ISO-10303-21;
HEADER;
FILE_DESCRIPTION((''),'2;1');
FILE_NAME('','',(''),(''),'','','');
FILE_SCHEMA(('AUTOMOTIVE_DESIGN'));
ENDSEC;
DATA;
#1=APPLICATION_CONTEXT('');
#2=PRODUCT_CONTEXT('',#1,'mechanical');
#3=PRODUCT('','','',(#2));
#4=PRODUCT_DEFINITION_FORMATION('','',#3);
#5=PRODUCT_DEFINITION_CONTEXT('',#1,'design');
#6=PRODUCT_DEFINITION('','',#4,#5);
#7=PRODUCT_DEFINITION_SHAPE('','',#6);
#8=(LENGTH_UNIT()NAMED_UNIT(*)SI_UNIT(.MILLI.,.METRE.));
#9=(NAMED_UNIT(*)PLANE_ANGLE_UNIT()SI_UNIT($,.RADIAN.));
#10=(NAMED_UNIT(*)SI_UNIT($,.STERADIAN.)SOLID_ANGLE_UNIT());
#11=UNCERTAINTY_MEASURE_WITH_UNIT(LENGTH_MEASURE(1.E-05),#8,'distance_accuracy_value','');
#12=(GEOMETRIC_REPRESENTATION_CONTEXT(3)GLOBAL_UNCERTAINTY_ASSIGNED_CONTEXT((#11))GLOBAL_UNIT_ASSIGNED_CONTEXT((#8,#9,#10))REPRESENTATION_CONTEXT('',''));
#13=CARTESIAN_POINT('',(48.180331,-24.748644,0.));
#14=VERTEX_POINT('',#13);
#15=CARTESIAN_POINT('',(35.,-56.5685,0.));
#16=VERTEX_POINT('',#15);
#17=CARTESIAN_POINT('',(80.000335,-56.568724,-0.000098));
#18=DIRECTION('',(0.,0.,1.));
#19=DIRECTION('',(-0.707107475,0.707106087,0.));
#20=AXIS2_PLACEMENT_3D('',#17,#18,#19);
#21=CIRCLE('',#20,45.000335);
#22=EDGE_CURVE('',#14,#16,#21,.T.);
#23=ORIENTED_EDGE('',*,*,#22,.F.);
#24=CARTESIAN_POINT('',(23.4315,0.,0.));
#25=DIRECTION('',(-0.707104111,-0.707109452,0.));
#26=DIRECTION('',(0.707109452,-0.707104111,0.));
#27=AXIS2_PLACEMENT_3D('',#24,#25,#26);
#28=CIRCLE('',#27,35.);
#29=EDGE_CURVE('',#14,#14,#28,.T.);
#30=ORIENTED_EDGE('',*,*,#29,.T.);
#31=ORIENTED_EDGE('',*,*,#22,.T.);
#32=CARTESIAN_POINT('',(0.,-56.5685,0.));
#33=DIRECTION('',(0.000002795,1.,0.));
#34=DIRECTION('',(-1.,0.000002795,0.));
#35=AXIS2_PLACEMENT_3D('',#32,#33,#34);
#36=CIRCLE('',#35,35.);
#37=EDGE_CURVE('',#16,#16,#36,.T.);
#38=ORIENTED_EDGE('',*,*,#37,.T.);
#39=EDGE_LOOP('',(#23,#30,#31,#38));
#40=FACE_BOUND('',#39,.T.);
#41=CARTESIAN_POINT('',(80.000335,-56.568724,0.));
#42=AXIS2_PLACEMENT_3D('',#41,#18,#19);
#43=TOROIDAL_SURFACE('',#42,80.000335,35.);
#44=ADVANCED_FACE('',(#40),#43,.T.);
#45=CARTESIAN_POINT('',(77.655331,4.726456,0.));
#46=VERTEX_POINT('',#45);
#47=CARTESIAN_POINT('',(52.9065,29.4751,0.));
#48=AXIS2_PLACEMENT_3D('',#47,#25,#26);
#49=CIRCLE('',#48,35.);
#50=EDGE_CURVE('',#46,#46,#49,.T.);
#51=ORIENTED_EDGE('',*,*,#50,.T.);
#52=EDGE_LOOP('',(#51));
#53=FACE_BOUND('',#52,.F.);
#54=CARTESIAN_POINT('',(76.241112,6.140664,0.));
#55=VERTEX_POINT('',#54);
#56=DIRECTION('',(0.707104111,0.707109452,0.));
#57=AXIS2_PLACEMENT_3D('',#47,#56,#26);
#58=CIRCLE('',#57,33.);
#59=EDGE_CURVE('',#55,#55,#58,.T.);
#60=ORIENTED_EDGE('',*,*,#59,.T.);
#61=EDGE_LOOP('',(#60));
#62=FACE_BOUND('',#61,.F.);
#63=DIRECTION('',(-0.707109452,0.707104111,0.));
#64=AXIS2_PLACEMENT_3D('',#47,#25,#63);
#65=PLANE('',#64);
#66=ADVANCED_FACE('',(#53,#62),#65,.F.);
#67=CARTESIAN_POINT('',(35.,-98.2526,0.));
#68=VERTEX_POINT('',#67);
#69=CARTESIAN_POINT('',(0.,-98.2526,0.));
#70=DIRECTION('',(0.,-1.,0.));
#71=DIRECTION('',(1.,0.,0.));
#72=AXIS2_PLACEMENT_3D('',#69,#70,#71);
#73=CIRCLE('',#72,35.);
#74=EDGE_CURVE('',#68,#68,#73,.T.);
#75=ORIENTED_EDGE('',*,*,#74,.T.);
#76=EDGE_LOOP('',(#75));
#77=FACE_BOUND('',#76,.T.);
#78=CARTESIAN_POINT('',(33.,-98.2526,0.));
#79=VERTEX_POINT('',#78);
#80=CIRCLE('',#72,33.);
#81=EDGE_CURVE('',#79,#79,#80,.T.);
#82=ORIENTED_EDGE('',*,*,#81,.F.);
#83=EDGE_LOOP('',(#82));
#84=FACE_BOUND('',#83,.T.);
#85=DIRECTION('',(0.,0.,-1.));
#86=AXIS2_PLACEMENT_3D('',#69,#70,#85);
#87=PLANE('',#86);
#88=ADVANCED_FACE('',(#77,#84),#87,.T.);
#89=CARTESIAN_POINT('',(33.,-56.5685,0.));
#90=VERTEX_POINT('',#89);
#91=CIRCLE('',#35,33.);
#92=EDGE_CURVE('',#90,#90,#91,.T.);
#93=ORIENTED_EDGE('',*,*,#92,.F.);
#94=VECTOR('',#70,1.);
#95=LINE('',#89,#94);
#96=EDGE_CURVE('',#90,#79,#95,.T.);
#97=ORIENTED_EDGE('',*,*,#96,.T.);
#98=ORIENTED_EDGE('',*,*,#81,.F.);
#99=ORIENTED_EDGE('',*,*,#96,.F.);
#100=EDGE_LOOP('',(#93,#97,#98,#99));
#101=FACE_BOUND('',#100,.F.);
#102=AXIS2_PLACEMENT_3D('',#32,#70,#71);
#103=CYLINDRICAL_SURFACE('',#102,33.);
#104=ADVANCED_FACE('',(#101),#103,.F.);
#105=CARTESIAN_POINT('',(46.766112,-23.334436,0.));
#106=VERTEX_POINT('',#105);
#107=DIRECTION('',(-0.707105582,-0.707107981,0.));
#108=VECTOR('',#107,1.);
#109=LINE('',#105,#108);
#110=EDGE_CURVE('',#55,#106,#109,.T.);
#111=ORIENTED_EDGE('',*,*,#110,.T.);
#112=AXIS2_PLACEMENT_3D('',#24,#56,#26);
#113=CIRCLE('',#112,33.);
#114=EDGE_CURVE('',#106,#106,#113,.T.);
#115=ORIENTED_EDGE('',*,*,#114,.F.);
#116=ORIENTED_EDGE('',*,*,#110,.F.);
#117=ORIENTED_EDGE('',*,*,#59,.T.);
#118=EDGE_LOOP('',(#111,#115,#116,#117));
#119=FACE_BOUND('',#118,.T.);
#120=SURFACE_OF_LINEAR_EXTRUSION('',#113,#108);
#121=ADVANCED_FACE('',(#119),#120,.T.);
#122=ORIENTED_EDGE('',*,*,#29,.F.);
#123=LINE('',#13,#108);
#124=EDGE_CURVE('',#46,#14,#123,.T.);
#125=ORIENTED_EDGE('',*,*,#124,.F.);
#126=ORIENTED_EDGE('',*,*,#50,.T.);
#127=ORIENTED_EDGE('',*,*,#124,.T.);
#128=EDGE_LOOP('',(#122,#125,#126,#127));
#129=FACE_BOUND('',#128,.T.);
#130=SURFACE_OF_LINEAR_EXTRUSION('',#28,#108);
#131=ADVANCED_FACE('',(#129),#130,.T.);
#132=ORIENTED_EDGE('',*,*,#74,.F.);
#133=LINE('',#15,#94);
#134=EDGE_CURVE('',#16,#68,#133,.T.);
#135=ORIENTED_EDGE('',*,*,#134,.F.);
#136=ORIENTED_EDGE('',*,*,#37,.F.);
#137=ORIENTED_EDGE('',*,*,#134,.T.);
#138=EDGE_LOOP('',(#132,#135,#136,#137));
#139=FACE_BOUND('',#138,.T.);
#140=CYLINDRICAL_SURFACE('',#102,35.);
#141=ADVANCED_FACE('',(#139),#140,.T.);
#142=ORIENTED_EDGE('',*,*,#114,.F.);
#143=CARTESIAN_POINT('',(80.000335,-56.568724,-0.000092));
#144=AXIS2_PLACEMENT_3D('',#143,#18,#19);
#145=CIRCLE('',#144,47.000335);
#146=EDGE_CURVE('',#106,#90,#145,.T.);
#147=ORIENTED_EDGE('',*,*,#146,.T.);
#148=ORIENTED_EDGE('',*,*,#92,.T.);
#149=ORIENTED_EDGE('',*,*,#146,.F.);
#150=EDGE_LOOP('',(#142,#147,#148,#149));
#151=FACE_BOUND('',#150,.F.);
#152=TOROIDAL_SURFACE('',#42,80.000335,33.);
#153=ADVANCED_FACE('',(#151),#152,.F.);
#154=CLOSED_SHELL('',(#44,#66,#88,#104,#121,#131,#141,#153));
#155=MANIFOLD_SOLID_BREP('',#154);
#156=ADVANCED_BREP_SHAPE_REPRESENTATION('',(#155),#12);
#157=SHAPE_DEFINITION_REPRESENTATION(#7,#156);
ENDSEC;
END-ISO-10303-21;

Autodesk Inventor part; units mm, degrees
ref_plane "YZ Plane" through (0, 0, 0) normal (1, 0, 0) x (0, 1, 0)
ref_plane "XZ Plane" through (0, 0, 0) normal (0, 1, 0) x (-1, 0, 0)
sketch "Szkic6" plane through (0, 0, 0) normal (0, 0, 1) x (1, 0, 0)
  line L0 (-29.6067, 0) -> (35.2678, 0) construction
  line L1 (0, 42.3419) -> (0, -58.3726) construction
  arc A0 (23.4315, 0) -> (0, -56.5685) centre (80, -56.5685) ccw
  line L2 (0, -56.5685) -> (80, -56.5685) construction
  line L3 (80, -56.5685) -> (33.6611, -10.2296) construction
  line L4 (23.4315, 0) -> (52.9065, 29.4751)
  line L5 (0, -56.5685) -> (0, -98.2526)
  point P0 (0, 0)
  dimension "d24" = 80
  dimension "d31" = 45
  dimension "d36" = 41.6841
  dimension "d37" = 41.6841
ref_plane "Płaszczyzna konstrukcyjna2" through (0, -56.5685, 0) normal (0, -1, 0) x (1, 0, 0)
sketch "Szkic8" plane through (0, -56.5685, 0) normal (0, -1, 0) x (1, 0, 0)
  circle A0 centre (0, 0) radius 35
  circle A1 centre (0, 0) radius 33
  dimension "d32" = 70
  dimension "d33" = 2
sweep "Przeciągnięcie2" add profiles "Szkic8" path "Szkic6"
equation "\"d32\" = OD"
equation "\"d33\" = THK"
equation "\"d24\" = R"
equation "\"d31\" = KAT"
equation "\"d36\" = PROSTKA"
equation "\"d37\" = PROSTKA"
equation "\"SzerokośćGięciaPodcięcia\" = Grubość"
equation "\"RozmiarPodcięciaNarożnika\" = 4 * Grubość"
equation "\"PromieńPrzejścia\" = PromieńGięcia"
equation "\"Rozmiar_promienia_Jacobiego\" = PromieńGięcia"
equation "\"Wielk_odstępu\" = Grubość"
equation "\"d2\" = PromieńGięcia"
equation "\"d23\" = PromieńGięcia"
equation "\"R\" = 80"
equation "\"OD\" = 70"
equation "\"THK\" = 2"
equation "\"KAT\" = 45deg"
equation "\"PROSTKA\" = 41.68407"
equation "\"Grubość\" = 1.5"
equation "\"PromieńGięcia\" = 3"
properties part number "Kolano 45° ø70x2 R80" material "304L"
